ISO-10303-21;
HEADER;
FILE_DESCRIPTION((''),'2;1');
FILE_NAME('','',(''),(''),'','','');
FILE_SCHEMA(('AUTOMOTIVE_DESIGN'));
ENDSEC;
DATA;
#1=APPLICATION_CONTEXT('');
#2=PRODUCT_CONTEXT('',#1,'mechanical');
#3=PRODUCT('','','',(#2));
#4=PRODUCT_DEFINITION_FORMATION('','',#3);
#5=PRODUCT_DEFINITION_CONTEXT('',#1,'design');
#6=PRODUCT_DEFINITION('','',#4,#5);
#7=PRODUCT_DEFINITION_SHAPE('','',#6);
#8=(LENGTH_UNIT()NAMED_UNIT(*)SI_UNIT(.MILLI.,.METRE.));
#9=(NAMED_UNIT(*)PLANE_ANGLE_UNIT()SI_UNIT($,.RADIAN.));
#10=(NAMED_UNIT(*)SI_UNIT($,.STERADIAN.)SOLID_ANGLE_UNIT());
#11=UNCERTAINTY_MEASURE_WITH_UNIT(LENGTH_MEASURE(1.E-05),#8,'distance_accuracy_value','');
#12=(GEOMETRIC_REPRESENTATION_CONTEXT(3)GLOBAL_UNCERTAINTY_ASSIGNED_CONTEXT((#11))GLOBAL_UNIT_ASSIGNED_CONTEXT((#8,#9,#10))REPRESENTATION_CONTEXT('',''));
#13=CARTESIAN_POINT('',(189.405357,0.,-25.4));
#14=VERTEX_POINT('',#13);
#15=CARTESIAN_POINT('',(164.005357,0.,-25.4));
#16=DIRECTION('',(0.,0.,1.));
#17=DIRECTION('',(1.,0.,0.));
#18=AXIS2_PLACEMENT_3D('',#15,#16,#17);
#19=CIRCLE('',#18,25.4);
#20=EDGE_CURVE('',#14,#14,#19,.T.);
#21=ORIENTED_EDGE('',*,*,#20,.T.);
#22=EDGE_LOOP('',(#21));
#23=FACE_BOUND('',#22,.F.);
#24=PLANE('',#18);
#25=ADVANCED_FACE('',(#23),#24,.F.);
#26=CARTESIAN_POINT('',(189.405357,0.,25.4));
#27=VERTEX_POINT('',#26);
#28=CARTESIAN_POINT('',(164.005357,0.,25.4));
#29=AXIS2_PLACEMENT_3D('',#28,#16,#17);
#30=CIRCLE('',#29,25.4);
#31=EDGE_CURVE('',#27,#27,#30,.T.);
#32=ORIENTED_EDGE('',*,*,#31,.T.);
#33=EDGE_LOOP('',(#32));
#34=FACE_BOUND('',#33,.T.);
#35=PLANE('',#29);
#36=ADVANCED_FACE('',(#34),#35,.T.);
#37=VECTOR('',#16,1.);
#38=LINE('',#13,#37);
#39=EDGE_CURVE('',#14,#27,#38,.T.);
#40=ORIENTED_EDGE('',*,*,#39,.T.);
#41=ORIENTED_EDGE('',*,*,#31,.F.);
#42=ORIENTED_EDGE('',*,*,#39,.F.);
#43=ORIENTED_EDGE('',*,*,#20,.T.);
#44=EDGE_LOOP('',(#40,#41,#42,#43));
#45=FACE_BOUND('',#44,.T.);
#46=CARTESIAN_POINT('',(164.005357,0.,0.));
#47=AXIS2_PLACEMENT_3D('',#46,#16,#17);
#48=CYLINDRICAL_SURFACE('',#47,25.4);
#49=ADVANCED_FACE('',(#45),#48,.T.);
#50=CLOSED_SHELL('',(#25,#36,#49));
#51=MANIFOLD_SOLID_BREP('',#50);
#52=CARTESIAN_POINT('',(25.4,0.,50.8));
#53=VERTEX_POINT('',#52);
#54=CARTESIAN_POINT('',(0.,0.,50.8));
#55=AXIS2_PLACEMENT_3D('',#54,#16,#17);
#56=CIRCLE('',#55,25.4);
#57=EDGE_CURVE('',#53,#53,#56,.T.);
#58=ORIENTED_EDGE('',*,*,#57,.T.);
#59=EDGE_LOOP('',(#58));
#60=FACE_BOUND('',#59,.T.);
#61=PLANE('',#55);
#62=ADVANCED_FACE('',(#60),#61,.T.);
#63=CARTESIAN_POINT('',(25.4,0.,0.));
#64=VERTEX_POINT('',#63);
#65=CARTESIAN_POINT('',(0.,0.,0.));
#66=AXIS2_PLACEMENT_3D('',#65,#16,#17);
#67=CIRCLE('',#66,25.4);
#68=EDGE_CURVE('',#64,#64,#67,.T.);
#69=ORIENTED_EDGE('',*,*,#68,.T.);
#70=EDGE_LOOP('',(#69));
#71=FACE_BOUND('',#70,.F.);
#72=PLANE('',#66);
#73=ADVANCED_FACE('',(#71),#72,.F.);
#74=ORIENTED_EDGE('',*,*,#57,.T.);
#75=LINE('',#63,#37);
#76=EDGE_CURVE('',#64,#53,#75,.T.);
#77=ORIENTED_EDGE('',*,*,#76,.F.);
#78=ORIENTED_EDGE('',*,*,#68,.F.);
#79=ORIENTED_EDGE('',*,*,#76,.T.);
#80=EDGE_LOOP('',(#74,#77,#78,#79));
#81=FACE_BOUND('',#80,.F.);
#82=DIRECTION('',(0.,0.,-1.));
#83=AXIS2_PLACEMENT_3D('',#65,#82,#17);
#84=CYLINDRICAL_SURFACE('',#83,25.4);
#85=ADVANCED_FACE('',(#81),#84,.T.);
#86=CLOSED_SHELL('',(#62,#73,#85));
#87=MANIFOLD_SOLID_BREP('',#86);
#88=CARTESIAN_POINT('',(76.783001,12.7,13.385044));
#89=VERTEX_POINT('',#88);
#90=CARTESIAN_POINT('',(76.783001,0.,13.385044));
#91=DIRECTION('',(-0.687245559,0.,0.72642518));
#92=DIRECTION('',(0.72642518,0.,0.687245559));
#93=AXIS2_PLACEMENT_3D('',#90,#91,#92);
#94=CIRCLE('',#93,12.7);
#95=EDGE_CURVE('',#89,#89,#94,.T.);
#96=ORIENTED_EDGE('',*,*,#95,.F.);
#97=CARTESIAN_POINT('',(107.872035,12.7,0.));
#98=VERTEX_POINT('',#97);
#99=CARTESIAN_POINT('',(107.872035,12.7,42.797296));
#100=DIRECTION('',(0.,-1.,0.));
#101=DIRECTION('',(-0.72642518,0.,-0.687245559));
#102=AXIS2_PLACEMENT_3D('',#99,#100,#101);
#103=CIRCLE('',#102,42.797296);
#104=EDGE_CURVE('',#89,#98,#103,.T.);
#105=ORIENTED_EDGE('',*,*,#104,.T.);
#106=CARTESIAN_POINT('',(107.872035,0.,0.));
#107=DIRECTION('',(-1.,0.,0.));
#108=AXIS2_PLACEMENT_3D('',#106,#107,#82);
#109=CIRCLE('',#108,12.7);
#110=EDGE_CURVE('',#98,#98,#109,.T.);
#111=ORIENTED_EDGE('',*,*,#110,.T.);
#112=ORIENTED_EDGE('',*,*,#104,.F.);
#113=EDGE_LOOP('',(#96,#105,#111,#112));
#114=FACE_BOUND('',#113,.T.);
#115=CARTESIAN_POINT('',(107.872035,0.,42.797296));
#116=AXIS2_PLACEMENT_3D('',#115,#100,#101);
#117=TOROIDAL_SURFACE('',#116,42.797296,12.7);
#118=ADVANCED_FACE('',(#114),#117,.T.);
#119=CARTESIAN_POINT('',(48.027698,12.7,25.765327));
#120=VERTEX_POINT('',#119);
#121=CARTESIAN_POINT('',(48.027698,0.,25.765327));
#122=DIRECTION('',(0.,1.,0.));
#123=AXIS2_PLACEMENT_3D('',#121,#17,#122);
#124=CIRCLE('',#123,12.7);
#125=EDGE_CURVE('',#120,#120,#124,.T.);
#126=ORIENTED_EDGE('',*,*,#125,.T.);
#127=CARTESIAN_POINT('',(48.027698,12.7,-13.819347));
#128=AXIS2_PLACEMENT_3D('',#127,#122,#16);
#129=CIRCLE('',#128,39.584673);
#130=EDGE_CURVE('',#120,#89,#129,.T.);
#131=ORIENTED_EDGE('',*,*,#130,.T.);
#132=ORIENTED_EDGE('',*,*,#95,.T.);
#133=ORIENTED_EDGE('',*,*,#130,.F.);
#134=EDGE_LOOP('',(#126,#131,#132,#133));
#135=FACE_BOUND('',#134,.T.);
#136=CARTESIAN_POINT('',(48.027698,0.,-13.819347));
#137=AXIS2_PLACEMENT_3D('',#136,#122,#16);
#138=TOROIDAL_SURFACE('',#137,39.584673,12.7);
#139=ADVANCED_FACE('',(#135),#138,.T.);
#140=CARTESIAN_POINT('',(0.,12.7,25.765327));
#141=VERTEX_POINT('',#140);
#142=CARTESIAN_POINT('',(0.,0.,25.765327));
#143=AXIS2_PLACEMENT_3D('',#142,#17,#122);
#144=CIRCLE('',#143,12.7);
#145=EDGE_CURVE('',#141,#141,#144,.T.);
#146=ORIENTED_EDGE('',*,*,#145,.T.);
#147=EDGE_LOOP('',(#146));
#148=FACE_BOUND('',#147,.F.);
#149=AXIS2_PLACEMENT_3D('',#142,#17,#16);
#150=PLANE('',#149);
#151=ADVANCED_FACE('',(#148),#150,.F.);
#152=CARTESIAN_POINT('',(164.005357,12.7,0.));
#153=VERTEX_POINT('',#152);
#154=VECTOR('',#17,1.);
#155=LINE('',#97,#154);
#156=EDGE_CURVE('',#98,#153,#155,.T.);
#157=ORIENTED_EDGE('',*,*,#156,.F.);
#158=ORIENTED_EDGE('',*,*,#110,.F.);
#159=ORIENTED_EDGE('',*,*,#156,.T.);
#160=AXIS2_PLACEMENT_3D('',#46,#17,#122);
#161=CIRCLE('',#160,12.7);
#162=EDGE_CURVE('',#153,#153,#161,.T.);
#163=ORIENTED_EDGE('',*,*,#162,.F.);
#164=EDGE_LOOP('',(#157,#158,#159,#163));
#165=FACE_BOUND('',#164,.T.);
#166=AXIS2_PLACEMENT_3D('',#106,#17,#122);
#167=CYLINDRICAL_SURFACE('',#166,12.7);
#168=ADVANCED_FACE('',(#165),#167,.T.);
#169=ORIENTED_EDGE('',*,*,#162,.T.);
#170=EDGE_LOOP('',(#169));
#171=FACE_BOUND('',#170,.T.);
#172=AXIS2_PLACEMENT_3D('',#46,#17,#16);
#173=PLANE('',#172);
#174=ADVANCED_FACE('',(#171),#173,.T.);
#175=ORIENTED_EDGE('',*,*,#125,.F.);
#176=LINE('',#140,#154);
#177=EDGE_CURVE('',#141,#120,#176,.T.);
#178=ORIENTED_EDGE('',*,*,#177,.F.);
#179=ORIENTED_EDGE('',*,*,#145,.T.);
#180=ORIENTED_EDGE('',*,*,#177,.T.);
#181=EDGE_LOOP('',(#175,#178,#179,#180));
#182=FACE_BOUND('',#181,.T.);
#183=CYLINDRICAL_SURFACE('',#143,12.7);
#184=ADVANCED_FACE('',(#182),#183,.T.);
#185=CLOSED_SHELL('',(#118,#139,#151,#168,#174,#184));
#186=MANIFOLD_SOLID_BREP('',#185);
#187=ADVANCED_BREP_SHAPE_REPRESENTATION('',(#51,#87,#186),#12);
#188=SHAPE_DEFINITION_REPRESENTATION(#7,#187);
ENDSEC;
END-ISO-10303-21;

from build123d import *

# Parameters (mm, degrees)
F0_R     = 25.4
F1_DEPTH = 50.8
F2_DEPTH = 25.4
F4_R     = 12.7


with BuildPart() as f1:
    # F0 (on Top) → F1 (new body)
    with BuildSketch(Plane.XY):
        Circle(F0_R)
    extrude(amount=F1_DEPTH)


with BuildPart() as f2:
    # F0 (on Top) → F2 (new body, symmetric)
    with BuildSketch(Plane.XY):
        with Locations((164.0053569386, 0)):
            Circle(F0_R)
    extrude(amount=F2_DEPTH, both=True)


with BuildPart() as f5:
    # F5: sweep along a path in F3
    with BuildLine(Plane.XZ) as f5_path:
        Line((0, 25.7653268045), (48.0276979506, 25.7653268045))
        ThreePointArc((48.0276979506, 25.7653268045), (63.6812827633, 22.5387563608), (76.7830014229, 13.3850444099))
        ThreePointArc((76.7830014229, 13.3850444099), (90.9480326003, 3.4884332443), (107.8720349141, 0))
        Line((107.8720349141, 0), (164.0053569386, 0))
    # F4 (on Right) → F5 (sweep)
    with BuildSketch(Plane.YZ):
        with Locations((0, 25.7653268045)):
            Circle(F4_R)
    sweep(path=f5_path.line)


solid = Compound([f1.part, f2.part, f5.part])
